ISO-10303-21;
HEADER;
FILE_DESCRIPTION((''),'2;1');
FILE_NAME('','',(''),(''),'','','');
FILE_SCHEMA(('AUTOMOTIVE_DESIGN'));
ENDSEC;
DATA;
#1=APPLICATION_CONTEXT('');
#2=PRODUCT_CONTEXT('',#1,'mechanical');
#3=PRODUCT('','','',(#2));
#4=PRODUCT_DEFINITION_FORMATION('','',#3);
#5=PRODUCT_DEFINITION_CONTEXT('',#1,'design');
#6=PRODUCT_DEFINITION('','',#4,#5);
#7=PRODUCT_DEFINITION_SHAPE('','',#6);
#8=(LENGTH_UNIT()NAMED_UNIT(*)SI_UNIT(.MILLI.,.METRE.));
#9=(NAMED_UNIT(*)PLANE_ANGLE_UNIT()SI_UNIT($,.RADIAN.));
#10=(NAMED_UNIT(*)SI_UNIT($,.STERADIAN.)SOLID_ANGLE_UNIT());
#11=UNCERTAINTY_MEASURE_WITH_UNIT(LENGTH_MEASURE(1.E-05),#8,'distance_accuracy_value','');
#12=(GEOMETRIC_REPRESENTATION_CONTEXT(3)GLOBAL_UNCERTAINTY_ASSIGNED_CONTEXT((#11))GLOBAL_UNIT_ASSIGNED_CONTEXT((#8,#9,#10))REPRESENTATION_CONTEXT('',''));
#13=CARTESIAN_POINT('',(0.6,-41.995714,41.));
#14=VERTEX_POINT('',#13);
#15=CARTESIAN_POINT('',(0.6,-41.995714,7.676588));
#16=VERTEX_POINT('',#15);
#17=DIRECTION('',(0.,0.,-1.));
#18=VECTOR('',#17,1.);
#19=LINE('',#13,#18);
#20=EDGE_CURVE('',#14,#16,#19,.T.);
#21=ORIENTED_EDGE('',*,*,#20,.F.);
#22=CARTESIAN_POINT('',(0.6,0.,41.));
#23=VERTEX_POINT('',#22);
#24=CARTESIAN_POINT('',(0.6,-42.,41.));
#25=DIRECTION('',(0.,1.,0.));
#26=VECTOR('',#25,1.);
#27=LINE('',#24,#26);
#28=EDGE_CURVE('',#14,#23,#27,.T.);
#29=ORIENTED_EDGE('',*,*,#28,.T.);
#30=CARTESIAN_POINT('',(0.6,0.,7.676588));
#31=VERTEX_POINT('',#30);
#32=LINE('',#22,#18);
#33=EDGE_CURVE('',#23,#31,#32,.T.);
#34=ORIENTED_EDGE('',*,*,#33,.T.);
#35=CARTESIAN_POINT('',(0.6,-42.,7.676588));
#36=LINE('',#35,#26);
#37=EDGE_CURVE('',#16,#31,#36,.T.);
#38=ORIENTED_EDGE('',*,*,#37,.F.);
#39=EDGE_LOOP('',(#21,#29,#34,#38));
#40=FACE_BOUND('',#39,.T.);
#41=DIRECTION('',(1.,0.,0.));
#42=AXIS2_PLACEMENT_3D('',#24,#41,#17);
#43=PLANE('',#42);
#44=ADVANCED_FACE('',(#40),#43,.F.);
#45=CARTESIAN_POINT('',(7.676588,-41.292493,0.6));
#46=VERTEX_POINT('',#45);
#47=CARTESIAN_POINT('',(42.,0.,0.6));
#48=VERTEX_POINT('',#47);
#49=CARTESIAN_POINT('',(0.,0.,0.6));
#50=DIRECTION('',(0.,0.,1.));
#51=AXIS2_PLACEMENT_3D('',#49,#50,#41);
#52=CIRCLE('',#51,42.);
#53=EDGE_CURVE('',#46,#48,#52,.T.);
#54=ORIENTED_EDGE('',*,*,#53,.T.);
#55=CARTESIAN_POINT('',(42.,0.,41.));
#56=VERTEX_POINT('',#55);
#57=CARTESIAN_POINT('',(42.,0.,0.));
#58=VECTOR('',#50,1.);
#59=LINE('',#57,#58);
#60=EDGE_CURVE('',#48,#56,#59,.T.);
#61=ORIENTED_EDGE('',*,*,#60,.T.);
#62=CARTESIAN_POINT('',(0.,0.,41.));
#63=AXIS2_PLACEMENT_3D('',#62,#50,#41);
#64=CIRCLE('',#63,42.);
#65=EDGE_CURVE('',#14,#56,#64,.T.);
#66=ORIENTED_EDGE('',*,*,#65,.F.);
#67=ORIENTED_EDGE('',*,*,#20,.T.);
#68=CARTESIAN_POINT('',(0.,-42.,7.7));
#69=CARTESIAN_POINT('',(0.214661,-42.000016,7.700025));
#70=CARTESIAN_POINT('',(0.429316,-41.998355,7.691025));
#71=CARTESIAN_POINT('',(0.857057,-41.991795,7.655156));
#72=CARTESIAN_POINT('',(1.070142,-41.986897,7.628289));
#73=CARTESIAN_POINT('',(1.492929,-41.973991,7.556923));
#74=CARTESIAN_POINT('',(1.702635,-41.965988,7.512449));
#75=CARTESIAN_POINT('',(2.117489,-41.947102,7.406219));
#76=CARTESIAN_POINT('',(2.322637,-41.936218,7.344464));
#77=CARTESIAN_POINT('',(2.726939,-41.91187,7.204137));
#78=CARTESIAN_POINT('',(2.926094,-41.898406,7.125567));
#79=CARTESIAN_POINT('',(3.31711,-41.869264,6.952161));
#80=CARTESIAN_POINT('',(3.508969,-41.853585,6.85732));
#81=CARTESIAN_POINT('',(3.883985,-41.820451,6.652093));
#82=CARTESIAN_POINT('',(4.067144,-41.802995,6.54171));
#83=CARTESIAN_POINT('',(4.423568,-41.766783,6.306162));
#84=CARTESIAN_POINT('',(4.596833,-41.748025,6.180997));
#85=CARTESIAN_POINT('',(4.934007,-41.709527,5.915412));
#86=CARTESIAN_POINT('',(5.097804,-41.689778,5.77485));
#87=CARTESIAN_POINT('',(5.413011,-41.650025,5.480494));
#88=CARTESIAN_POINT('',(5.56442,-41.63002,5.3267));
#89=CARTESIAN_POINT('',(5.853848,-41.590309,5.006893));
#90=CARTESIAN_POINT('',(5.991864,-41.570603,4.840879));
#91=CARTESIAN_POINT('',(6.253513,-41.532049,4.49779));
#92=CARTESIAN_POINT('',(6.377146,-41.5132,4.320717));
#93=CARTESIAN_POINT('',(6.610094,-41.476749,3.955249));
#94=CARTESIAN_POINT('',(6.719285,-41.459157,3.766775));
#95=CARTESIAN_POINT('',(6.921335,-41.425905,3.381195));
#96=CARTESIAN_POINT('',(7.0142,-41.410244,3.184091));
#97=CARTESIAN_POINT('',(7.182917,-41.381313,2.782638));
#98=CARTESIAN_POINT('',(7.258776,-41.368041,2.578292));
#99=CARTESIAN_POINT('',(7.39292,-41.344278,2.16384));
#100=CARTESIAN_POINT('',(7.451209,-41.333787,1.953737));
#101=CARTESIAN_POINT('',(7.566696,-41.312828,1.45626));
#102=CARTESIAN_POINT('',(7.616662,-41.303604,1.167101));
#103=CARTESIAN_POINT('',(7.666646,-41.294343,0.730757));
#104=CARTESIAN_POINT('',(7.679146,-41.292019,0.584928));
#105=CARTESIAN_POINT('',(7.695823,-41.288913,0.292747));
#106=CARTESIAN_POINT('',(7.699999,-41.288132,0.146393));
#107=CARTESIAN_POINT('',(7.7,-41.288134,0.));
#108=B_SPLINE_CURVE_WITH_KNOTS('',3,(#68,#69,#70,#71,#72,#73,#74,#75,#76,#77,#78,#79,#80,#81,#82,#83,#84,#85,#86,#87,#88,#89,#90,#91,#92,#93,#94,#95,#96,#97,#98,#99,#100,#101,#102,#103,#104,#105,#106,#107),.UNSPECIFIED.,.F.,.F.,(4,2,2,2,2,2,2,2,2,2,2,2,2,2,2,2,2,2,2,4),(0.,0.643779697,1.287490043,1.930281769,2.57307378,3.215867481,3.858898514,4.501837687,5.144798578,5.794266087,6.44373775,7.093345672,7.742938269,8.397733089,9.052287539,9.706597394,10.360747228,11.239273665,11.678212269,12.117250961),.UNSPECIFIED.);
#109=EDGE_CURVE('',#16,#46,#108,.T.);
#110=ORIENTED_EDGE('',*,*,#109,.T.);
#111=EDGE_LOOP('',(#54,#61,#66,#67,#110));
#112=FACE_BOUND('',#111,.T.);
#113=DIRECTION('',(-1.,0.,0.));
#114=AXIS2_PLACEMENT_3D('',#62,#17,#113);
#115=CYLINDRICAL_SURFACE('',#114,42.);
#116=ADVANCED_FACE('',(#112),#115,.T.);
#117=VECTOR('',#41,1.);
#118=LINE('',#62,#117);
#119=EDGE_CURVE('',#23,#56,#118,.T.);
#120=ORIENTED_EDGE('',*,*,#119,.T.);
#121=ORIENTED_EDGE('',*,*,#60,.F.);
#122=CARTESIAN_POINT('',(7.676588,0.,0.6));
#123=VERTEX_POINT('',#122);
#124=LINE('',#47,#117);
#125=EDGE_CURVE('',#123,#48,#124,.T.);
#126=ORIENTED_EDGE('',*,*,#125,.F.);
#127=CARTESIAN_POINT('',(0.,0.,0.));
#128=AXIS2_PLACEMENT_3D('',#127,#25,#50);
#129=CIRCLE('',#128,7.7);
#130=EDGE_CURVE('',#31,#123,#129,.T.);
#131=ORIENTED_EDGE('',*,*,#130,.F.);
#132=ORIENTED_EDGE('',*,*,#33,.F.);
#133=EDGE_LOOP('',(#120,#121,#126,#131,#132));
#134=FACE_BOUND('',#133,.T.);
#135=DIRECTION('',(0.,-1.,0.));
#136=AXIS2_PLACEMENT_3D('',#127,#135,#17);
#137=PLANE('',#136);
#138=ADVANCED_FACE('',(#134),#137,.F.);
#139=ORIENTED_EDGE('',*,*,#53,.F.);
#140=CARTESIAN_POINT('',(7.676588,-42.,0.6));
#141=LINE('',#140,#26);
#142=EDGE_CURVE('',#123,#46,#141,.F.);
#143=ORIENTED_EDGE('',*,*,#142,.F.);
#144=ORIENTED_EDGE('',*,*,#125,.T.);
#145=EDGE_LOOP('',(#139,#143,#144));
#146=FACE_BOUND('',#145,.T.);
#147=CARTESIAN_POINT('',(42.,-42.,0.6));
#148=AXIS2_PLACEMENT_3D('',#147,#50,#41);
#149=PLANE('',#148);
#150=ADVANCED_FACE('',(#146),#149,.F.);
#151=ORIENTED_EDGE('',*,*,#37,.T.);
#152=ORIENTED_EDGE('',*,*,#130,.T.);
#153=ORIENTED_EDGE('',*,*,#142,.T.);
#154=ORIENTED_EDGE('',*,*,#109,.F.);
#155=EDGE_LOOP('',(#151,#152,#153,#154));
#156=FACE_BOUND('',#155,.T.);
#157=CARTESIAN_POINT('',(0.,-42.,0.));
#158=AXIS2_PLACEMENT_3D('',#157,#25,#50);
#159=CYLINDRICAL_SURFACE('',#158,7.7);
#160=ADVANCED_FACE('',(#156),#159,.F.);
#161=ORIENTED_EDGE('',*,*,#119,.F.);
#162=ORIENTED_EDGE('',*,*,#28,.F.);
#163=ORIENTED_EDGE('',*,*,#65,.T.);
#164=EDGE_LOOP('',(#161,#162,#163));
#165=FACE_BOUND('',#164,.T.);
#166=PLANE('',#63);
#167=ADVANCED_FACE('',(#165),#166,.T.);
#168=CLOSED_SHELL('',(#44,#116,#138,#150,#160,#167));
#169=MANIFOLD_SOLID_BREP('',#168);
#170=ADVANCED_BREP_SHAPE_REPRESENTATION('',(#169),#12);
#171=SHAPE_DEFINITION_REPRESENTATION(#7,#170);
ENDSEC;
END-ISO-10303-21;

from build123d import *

# Parameters (mm, degrees)
SKETCH1_R           = 42
BOSS_EXTRUDE1_DEPTH = 41
CUT_EXTRUDE1_DEPTH  = 73.173402303
SKETCH3_R           = 7.7
CUT_EXTRUDE2_DEPTH  = 73.173402303
SKETCH4_W           = 0.6
SKETCH4_H           = 34.211954595
SKETCH4_W_2         = 35.741543893
SKETCH4_H_2         = 0.6
CUT_EXTRUDE3_DEPTH  = 73.173402476


with BuildPart() as part:
    # Sketch1 → Boss-Extrude1 (new body)
    with BuildSketch(Plane.XY):
        Circle(SKETCH1_R)
    extrude(amount=BOSS_EXTRUDE1_DEPTH)

    # Sketch2 → Cut-Extrude1 (cut, through all)
    with BuildSketch(Plane.XY.offset(41)):
        with BuildLine():
            Line((0, 0), (42, 0))
            ThreePointArc((42, 0), (-29.69848481, 29.69848481), (0, -42))
            Line((0, -42), (0, 0))
        make_face()
    extrude(amount=-CUT_EXTRUDE1_DEPTH, mode=Mode.SUBTRACT)

    # Sketch3 → Cut-Extrude2 (cut, through all)
    with BuildSketch(Plane(origin=(0, 0, 0), x_dir=(1, 0, 0), z_dir=(0, 1, 0))):
        Circle(SKETCH3_R)
    extrude(amount=-CUT_EXTRUDE2_DEPTH, mode=Mode.SUBTRACT)

    # Sketch4 → Cut-Extrude3 (cut, through all)
    with BuildSketch(Plane(origin=(0, 0, 0), x_dir=(1, 0, 0), z_dir=(0, 1, 0))):
        with Locations((0.3, -23.894022702)):
            Rectangle(SKETCH4_W, SKETCH4_H)
        with Locations((24.129228054, -0.3)):
            Rectangle(SKETCH4_W_2, SKETCH4_H_2)
    extrude(amount=-CUT_EXTRUDE3_DEPTH, mode=Mode.SUBTRACT)


solid = part.part
